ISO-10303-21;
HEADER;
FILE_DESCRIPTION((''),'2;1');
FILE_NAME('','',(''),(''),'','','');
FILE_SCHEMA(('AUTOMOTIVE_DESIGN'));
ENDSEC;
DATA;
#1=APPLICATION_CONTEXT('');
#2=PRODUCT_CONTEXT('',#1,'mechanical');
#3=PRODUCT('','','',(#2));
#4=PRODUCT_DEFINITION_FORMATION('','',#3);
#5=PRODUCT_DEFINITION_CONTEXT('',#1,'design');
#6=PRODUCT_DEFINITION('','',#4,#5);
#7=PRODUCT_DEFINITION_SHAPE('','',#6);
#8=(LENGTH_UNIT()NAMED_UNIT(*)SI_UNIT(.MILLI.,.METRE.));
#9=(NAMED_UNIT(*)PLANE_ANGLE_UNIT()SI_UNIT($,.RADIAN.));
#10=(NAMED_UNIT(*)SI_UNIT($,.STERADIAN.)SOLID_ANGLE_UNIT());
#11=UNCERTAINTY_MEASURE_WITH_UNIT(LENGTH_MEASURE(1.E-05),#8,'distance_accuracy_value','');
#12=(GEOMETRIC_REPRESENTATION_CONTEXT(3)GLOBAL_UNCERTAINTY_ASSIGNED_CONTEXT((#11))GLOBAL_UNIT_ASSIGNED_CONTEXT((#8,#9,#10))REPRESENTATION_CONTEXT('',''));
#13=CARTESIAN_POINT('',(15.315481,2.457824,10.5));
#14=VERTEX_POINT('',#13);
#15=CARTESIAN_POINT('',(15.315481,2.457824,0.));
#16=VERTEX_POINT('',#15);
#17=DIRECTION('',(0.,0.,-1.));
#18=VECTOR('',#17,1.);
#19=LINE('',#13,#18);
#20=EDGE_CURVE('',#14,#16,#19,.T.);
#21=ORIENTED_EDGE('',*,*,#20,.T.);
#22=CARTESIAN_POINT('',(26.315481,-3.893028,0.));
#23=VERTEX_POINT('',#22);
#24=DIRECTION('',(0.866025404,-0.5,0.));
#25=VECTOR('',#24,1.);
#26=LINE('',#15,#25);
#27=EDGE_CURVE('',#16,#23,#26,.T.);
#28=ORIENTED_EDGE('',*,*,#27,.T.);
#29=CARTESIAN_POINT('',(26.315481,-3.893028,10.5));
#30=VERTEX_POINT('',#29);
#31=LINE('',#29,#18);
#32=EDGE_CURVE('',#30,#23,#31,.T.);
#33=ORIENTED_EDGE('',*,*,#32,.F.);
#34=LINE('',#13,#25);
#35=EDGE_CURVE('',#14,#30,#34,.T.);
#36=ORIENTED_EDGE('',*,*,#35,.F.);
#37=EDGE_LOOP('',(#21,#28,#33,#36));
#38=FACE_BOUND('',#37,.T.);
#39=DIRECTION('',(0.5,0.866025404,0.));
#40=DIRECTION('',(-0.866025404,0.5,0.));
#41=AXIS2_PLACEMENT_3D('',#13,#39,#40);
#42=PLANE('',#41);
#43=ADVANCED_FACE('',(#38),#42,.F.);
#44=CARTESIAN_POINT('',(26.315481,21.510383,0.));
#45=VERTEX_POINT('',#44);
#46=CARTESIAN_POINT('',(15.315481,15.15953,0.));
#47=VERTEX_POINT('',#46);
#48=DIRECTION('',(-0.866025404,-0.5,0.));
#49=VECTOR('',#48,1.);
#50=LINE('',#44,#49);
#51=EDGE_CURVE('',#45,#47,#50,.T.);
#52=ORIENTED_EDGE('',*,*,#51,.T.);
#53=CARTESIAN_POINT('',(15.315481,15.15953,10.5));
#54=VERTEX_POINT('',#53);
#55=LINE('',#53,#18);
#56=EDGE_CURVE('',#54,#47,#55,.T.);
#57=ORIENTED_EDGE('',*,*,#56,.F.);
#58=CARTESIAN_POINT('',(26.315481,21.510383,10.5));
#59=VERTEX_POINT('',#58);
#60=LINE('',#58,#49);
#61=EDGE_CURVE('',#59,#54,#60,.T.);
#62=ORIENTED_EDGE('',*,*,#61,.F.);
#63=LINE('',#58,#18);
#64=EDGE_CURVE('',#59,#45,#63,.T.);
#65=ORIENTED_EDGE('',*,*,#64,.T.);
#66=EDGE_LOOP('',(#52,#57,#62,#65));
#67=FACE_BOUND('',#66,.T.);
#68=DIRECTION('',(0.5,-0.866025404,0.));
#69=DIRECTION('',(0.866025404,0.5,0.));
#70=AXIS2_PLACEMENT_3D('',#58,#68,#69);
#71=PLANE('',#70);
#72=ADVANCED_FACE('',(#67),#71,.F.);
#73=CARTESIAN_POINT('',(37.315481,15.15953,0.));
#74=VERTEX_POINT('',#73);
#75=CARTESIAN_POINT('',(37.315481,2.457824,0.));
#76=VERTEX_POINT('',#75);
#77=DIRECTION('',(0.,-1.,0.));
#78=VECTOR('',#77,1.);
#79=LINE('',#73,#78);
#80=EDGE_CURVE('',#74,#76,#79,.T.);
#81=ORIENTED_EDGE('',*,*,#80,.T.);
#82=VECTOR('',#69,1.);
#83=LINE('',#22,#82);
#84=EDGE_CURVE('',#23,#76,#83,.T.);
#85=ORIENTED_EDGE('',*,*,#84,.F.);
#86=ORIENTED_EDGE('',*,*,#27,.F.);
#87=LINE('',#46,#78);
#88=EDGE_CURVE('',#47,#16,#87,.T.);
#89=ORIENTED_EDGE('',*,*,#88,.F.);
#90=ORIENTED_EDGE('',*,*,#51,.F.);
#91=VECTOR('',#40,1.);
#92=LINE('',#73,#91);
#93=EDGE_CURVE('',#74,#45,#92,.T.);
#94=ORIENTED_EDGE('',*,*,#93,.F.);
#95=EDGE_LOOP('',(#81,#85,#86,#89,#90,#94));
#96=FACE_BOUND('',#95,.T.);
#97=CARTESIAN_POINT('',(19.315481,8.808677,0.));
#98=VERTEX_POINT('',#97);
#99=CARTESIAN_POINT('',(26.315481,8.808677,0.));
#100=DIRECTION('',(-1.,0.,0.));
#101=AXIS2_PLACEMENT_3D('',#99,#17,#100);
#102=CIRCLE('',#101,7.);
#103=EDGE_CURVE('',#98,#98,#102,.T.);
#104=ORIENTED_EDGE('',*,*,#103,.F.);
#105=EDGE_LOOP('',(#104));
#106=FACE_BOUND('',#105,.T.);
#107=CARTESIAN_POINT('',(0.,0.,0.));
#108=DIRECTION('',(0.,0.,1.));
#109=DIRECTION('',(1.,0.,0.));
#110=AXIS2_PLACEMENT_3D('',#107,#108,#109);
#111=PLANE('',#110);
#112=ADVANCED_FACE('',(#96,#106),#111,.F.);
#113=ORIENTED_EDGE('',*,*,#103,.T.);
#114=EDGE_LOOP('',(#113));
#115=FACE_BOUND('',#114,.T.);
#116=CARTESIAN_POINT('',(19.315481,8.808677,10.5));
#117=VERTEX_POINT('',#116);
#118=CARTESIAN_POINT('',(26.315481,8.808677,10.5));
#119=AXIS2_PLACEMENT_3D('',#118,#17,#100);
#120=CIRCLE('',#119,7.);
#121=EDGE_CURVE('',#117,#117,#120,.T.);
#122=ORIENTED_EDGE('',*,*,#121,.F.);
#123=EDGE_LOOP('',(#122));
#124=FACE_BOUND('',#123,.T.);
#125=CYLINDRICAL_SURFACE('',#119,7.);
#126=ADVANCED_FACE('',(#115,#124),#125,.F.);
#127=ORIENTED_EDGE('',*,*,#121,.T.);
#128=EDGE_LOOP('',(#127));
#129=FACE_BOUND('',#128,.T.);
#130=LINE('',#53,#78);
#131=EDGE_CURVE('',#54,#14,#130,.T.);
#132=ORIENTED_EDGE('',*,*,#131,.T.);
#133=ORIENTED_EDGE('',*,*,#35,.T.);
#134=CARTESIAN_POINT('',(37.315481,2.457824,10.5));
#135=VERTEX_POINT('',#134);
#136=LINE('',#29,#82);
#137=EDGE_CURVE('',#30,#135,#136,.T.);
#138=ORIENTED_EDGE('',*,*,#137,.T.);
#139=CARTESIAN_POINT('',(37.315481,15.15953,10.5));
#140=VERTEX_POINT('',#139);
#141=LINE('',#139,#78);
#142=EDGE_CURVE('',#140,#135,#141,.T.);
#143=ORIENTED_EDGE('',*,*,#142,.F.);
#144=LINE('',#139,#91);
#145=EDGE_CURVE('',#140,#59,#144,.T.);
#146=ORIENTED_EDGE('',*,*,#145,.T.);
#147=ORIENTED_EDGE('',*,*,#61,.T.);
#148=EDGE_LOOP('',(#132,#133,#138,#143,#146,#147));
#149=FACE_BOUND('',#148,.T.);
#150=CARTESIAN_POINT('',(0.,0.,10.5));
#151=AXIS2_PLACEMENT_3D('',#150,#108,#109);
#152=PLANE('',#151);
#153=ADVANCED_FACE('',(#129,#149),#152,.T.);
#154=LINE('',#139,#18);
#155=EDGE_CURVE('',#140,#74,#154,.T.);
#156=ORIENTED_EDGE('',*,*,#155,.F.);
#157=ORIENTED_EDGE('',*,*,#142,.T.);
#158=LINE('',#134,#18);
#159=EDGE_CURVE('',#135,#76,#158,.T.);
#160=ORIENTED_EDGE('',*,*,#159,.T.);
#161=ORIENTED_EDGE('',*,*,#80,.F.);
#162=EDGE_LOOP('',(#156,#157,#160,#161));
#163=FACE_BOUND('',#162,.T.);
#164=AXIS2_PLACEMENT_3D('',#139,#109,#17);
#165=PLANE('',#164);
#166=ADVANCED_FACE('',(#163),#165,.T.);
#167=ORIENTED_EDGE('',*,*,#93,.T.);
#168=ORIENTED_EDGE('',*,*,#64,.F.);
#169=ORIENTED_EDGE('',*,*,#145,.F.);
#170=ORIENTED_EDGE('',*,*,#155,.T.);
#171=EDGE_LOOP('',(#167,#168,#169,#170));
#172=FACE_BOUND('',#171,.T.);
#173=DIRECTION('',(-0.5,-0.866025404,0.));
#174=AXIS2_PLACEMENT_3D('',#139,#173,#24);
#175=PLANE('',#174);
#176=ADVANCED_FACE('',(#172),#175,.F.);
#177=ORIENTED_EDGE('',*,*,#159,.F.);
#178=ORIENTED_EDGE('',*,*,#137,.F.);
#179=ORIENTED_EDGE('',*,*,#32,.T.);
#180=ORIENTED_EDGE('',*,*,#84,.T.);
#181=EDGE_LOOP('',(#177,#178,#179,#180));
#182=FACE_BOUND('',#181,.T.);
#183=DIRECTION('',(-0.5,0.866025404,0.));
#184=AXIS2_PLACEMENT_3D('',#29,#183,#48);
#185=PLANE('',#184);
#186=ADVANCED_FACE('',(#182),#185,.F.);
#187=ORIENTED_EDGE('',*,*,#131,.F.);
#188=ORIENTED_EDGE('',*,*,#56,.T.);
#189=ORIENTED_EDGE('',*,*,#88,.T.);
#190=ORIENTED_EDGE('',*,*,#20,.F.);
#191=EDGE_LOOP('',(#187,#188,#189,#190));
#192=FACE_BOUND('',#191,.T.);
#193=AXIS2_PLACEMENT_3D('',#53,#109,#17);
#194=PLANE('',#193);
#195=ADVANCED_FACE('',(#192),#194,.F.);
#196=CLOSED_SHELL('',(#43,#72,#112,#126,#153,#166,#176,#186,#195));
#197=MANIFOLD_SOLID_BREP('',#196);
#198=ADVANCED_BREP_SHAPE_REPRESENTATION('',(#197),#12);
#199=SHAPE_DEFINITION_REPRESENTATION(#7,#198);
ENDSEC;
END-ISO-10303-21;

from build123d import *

# Parameters (mm, degrees)
EXTRUDE_1_DEPTH     = 10.5
SKETCH_2_R          = 7
CUT_EXTRUDE_1_DEPTH = 10.5


with BuildPart() as part:
    # 草图1 → 凸台-拉伸1 (new body)
    with BuildSketch(Plane.XY):
        Polygon((37.315481106, 15.159530396), (37.315481106, 2.457824474), (26.315481106, -3.893028487), (15.315481106, 2.457824474), (15.315481106, 15.159530396), (26.315481106, 21.510383357), align=None)
    extrude(amount=EXTRUDE_1_DEPTH)

    # 草图2 → 切除-拉伸1 (cut)
    with BuildSketch(Plane(origin=(0, 0, 0), x_dir=(-1, 0, 0), z_dir=(0, 0, -1))):
        with Locations((-26.315481106, 8.808677435)):
            Circle(SKETCH_2_R)
    extrude(amount=-CUT_EXTRUDE_1_DEPTH, mode=Mode.SUBTRACT)


solid = part.part
